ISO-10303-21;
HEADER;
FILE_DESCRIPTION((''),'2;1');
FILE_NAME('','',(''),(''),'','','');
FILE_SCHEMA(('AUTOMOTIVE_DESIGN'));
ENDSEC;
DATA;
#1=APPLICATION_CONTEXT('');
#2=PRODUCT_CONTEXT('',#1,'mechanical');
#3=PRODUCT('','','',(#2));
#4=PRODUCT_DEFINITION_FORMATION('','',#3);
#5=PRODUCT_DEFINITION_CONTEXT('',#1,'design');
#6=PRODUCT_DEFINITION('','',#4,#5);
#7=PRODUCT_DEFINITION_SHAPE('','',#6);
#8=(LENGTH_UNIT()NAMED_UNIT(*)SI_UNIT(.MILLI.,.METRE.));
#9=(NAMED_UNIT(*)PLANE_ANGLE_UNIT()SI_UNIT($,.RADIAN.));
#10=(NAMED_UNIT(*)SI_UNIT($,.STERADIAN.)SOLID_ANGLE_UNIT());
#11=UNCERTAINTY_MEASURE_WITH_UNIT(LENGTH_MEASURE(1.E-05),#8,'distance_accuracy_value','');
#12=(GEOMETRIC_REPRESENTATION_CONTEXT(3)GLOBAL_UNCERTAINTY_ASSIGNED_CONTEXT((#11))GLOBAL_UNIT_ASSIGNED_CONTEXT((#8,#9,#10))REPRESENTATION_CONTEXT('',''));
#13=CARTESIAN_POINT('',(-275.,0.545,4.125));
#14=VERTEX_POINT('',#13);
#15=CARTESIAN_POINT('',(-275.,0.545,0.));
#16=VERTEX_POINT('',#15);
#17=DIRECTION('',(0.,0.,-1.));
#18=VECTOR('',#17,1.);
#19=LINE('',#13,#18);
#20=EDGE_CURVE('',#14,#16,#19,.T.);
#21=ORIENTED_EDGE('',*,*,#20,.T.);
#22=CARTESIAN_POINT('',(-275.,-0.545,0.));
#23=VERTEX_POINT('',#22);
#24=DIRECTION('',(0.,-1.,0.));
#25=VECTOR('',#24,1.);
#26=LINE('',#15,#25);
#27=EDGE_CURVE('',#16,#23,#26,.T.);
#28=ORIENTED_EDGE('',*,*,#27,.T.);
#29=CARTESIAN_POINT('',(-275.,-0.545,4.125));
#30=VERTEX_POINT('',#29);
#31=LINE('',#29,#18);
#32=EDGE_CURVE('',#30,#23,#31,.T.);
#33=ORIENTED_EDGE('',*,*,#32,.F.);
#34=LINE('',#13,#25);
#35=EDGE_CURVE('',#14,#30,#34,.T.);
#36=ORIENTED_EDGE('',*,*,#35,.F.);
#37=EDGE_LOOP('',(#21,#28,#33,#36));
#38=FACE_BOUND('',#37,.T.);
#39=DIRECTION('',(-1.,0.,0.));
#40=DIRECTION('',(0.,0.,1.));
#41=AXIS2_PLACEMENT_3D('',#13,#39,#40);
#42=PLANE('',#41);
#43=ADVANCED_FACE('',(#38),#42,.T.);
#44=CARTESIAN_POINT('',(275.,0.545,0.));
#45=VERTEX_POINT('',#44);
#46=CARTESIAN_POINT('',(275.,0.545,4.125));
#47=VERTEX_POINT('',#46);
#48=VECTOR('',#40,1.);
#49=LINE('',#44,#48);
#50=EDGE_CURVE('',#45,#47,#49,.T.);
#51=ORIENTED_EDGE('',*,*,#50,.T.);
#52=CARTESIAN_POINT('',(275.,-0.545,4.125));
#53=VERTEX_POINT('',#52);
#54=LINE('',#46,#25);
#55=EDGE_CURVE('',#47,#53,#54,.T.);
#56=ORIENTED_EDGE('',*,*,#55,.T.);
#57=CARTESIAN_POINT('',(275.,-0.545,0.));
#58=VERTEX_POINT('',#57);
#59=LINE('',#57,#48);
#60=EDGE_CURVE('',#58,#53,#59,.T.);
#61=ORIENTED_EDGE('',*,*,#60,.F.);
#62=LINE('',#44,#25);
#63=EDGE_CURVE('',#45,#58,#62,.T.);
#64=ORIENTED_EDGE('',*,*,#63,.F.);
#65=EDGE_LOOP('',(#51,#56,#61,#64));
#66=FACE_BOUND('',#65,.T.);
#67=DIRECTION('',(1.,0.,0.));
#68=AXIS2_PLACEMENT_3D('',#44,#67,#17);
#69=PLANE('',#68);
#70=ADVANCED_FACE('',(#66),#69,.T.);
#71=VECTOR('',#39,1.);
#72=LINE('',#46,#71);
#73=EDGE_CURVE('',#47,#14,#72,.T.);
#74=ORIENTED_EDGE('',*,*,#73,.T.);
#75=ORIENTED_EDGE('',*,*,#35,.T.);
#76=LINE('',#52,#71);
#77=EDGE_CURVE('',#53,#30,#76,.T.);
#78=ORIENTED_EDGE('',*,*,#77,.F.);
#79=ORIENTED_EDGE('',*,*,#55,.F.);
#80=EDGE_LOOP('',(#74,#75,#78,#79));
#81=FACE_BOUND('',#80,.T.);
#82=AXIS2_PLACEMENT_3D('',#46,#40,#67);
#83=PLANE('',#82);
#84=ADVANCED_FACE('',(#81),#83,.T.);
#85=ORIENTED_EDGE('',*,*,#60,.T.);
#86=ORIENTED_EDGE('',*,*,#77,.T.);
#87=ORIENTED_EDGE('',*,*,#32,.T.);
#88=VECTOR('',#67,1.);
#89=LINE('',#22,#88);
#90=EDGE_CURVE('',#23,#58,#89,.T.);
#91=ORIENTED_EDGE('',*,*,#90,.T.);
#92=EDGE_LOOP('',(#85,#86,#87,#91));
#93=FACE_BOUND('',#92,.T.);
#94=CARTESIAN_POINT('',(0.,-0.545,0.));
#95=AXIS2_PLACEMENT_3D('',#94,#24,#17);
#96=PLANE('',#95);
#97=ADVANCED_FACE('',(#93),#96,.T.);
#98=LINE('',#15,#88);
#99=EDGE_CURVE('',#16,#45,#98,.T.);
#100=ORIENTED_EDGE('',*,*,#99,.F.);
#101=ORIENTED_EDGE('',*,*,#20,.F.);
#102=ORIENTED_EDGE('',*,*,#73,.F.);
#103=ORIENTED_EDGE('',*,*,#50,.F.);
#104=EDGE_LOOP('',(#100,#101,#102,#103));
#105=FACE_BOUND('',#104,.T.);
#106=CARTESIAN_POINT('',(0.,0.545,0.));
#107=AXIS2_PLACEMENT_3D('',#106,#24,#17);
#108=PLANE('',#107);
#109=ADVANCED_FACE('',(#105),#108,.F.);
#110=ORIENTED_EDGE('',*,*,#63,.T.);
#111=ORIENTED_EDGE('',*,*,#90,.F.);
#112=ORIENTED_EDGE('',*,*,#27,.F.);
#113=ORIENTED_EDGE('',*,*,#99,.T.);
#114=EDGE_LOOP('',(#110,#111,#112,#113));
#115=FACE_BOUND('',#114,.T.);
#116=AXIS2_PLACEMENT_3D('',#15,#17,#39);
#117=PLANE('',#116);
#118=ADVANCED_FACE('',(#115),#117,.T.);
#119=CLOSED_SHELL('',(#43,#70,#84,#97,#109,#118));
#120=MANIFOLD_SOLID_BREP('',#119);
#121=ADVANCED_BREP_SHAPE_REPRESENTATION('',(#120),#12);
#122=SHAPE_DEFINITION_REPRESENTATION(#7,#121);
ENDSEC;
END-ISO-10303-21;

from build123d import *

# Parameters (mm, degrees)
SKETCH_1_W      = 550
SKETCH_1_H      = 4.125
EXTRUDE_1_DEPTH = 1.09


with BuildPart() as part:
    # Эскиз1 → Бобышка-Вытянуть1 (new body)
    with BuildSketch(Plane.XZ.offset(0.545)):
        with Locations((0, 2.0625)):
            Rectangle(SKETCH_1_W, SKETCH_1_H)
    extrude(amount=-EXTRUDE_1_DEPTH)


solid = part.part
